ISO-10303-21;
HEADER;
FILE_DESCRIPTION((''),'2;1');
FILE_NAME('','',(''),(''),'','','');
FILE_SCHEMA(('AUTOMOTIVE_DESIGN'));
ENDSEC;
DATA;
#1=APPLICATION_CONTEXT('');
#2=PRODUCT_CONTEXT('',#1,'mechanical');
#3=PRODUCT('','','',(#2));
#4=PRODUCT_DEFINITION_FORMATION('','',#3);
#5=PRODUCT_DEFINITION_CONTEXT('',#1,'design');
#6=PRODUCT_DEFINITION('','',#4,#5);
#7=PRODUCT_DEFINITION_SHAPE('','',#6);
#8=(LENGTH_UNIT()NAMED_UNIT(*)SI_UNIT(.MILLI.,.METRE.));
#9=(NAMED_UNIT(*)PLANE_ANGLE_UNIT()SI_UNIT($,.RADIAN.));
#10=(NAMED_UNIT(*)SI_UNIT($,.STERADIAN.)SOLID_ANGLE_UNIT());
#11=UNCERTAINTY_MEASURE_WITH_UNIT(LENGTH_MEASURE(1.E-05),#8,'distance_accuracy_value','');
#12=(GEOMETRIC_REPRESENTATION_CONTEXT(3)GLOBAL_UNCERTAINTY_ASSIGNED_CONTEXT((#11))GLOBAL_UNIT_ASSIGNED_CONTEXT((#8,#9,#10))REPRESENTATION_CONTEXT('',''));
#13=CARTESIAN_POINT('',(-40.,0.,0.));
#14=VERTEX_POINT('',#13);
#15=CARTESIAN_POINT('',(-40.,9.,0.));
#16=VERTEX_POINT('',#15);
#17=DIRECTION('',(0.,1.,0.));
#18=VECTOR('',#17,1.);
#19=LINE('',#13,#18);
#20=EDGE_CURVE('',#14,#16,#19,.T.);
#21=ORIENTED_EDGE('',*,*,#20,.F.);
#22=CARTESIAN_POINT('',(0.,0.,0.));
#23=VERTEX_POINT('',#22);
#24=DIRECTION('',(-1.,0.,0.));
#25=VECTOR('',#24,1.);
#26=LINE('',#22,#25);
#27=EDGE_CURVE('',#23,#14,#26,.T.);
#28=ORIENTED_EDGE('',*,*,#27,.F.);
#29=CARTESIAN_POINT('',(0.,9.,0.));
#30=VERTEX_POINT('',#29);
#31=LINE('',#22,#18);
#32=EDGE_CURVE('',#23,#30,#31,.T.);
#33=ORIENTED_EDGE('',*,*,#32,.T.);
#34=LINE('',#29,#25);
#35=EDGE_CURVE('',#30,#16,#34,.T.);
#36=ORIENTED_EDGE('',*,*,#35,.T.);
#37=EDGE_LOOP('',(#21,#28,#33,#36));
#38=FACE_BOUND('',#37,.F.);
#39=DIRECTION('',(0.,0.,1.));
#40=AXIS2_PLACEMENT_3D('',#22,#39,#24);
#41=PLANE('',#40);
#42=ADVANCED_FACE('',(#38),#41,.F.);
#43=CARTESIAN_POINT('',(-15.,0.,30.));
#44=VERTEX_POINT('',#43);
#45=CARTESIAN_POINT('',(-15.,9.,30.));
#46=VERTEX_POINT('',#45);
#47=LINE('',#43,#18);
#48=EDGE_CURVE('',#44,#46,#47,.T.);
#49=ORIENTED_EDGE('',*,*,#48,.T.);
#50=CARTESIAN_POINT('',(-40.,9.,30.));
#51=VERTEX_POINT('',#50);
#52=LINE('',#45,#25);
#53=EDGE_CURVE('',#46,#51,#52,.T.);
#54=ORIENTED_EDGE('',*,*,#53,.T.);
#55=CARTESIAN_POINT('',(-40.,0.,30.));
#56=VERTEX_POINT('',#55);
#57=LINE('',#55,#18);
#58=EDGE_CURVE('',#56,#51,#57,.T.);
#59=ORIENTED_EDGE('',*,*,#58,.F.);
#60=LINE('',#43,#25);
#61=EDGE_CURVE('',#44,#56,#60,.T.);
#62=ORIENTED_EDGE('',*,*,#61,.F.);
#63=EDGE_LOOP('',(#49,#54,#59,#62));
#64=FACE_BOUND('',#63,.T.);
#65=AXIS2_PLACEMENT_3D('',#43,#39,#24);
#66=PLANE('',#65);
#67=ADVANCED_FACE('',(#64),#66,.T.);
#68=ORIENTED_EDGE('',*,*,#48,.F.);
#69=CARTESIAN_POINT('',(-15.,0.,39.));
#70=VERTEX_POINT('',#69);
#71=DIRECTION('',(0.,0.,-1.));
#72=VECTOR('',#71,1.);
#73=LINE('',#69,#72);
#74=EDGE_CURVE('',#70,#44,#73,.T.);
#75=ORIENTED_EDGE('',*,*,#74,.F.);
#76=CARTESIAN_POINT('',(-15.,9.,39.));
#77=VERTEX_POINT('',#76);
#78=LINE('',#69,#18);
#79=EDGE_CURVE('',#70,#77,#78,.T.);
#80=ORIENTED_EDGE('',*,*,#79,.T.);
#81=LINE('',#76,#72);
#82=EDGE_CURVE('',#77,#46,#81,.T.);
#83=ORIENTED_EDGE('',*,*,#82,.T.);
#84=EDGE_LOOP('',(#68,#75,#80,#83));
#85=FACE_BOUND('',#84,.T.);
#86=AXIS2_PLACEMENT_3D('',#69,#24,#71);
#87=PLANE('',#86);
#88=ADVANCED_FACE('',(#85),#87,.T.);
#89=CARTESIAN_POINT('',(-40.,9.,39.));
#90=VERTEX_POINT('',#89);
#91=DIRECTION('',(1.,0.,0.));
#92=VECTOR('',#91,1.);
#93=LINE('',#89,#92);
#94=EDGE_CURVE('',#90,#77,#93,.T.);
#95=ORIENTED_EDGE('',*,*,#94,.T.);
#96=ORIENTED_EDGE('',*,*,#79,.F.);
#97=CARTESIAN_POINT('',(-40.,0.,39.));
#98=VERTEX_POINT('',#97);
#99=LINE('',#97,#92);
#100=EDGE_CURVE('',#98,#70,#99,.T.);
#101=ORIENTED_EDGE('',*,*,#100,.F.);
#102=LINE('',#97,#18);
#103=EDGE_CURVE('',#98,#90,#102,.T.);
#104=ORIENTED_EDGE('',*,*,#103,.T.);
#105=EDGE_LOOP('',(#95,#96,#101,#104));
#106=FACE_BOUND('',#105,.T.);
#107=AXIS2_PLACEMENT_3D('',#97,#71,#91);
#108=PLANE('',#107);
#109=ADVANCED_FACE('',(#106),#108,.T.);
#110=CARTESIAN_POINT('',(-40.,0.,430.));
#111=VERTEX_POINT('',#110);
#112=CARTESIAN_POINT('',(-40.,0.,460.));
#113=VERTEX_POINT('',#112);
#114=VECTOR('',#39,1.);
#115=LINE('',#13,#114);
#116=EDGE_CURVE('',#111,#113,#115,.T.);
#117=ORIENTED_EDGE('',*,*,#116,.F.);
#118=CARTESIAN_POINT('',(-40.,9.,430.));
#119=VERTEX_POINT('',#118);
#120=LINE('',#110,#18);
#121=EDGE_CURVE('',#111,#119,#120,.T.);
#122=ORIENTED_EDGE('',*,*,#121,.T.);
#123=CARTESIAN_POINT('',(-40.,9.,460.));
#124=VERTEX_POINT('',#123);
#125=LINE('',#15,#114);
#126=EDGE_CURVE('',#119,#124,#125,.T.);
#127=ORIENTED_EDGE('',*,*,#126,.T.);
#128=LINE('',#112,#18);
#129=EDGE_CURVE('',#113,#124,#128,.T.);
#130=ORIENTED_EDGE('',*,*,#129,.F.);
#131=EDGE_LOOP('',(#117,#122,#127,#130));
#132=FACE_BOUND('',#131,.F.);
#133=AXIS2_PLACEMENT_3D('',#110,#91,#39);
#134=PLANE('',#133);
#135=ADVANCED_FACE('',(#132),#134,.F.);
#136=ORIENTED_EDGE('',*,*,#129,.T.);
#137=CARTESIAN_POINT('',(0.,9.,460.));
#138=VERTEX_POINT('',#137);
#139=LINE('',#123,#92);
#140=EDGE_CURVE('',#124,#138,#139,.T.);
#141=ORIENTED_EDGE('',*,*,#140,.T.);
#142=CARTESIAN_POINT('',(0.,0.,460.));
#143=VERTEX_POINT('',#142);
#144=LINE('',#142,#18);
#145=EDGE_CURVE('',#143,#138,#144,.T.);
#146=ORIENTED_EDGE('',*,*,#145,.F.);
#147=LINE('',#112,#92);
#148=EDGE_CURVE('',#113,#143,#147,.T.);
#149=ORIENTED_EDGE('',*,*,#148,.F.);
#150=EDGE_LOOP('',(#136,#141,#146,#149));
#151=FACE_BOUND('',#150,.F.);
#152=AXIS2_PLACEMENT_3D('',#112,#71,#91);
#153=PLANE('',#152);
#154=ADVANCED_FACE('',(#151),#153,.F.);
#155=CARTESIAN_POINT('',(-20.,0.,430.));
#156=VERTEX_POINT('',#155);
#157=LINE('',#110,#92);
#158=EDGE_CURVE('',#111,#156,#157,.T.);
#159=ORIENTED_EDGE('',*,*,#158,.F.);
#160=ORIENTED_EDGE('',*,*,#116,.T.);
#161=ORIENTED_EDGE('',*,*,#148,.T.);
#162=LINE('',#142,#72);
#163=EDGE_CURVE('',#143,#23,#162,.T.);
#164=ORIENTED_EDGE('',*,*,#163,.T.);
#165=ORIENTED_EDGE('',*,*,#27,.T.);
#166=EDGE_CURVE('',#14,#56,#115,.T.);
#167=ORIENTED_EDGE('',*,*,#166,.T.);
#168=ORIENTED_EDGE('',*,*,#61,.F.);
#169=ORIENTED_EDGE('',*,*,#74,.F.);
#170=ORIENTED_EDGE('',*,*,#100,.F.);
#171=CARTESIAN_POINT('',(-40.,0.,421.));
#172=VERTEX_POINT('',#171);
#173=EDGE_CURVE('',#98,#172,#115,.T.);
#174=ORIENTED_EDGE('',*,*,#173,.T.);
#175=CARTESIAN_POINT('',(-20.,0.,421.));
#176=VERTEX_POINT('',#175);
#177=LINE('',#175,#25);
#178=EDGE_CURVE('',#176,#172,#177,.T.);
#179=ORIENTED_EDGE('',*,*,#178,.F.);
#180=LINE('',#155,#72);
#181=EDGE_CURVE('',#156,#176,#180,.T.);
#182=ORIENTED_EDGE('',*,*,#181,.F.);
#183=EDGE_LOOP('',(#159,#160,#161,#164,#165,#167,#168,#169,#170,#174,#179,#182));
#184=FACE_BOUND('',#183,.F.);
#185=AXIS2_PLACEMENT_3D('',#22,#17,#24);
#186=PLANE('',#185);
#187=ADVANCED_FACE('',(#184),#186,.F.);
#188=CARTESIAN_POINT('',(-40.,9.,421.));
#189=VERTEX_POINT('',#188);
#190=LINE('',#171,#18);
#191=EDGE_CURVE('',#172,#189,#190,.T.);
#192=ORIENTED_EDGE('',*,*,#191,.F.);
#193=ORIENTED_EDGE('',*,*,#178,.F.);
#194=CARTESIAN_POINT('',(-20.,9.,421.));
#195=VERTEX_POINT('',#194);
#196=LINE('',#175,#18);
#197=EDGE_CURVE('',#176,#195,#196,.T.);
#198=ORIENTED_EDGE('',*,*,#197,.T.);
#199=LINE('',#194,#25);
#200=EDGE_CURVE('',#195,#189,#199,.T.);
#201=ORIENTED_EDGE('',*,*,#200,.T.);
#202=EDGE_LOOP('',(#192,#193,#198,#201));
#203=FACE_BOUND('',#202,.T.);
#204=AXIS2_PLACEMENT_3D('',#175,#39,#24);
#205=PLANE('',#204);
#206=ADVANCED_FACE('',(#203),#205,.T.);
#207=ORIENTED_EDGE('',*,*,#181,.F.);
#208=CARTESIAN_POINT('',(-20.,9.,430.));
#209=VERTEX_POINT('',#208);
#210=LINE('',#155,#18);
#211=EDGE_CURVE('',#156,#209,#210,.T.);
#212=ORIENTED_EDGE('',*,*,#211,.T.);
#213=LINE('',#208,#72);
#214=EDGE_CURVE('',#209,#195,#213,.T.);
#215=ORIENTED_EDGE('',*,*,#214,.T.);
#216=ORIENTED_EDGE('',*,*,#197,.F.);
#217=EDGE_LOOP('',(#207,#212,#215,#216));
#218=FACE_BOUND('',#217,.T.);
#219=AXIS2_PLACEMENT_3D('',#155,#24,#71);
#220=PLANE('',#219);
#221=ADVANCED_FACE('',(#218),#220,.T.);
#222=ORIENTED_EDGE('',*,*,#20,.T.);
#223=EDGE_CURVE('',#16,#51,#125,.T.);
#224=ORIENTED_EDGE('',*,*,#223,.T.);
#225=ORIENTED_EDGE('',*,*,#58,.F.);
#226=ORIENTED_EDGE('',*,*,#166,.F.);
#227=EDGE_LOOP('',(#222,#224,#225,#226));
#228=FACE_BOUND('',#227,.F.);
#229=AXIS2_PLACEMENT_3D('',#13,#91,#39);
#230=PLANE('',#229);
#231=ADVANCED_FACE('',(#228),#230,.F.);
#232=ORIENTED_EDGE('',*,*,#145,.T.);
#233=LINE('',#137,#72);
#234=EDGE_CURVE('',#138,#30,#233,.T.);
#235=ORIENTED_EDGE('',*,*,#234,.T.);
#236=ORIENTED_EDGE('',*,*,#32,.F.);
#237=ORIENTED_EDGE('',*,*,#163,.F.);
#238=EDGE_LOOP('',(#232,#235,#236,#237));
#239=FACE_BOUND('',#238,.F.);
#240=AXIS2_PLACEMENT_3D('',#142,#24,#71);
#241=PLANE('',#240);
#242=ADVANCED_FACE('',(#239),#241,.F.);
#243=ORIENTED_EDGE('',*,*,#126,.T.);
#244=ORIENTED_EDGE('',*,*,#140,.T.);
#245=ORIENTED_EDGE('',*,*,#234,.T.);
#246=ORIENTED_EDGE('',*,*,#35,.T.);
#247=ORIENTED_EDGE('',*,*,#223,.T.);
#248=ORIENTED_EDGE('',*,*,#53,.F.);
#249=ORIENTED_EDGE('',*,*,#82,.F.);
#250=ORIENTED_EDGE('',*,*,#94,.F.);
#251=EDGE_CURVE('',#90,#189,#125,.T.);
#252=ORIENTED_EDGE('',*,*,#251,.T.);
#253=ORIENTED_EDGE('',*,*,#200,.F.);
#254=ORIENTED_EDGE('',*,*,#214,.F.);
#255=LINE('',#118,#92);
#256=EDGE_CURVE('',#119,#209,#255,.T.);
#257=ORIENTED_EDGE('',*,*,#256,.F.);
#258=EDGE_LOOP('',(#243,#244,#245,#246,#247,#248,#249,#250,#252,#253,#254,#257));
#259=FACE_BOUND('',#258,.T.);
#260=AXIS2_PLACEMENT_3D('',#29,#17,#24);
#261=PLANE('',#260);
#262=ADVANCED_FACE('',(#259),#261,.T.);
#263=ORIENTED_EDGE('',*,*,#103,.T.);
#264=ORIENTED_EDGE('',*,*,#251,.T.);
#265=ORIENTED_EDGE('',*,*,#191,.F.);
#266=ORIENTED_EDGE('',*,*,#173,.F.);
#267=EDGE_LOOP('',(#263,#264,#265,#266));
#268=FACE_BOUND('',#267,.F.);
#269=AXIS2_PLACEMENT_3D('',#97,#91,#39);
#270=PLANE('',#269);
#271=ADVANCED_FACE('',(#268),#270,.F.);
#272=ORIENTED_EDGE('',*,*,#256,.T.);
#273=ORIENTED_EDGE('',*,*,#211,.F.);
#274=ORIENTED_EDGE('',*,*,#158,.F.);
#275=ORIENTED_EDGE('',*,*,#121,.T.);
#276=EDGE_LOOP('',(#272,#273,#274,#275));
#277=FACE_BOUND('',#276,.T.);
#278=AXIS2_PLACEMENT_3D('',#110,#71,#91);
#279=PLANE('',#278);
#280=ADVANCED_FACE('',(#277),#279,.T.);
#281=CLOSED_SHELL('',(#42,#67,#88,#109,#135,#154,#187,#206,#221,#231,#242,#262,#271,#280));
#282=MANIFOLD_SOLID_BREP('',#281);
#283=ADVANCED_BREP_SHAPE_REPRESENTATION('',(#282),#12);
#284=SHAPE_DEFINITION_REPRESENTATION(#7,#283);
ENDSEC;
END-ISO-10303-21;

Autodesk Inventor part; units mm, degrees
ref_plane "YZ Plane" through (0, 0, 0) normal (1, 0, 0) x (0, 1, 0)
ref_plane "XZ Plane" through (0, 0, 0) normal (0, 1, 0) x (-1, 0, 0)
ref_plane "XY Plane" through (0, 0, 0) normal (0, 0, 1) x (1, 0, 0)
sketch "Sketch2" plane through (0, 0, 0) normal (0, 1, 0) x (-1, 0, 0)
  line L0 (0, 0) -> (40, 0)
  line L1 (40, 0) -> (40, 460)
  line L2 (40, 460) -> (0, 460)
  line L3 (0, 460) -> (0, 0)
  line L4 (40, 430) -> (20, 430)
  line L5 (20, 430) -> (20, 421)
  line L6 (20, 421) -> (40, 421)
  line L7 (40, 421) -> (40, 430)
  line L8 (40, 39) -> (15, 39)
  line L9 (15, 39) -> (15, 30)
  line L10 (15, 30) -> (40, 30)
  line L11 (40, 30) -> (40, 39)
  dimension "d25" = 40
  dimension "d31" = 9
  dimension "d32" = 20
  dimension "d33" = 30
  dimension "d38" = 30
  dimension "d39" = 9
  dimension "d40" = 25
  dimension "d43" = 400
extrude "Extrusion5" add sketch "Sketch2" along normal blind 9 contours L3 L2 L1 L4 L5 L6 L8 L9 L10 L0
properties part number "leg"
